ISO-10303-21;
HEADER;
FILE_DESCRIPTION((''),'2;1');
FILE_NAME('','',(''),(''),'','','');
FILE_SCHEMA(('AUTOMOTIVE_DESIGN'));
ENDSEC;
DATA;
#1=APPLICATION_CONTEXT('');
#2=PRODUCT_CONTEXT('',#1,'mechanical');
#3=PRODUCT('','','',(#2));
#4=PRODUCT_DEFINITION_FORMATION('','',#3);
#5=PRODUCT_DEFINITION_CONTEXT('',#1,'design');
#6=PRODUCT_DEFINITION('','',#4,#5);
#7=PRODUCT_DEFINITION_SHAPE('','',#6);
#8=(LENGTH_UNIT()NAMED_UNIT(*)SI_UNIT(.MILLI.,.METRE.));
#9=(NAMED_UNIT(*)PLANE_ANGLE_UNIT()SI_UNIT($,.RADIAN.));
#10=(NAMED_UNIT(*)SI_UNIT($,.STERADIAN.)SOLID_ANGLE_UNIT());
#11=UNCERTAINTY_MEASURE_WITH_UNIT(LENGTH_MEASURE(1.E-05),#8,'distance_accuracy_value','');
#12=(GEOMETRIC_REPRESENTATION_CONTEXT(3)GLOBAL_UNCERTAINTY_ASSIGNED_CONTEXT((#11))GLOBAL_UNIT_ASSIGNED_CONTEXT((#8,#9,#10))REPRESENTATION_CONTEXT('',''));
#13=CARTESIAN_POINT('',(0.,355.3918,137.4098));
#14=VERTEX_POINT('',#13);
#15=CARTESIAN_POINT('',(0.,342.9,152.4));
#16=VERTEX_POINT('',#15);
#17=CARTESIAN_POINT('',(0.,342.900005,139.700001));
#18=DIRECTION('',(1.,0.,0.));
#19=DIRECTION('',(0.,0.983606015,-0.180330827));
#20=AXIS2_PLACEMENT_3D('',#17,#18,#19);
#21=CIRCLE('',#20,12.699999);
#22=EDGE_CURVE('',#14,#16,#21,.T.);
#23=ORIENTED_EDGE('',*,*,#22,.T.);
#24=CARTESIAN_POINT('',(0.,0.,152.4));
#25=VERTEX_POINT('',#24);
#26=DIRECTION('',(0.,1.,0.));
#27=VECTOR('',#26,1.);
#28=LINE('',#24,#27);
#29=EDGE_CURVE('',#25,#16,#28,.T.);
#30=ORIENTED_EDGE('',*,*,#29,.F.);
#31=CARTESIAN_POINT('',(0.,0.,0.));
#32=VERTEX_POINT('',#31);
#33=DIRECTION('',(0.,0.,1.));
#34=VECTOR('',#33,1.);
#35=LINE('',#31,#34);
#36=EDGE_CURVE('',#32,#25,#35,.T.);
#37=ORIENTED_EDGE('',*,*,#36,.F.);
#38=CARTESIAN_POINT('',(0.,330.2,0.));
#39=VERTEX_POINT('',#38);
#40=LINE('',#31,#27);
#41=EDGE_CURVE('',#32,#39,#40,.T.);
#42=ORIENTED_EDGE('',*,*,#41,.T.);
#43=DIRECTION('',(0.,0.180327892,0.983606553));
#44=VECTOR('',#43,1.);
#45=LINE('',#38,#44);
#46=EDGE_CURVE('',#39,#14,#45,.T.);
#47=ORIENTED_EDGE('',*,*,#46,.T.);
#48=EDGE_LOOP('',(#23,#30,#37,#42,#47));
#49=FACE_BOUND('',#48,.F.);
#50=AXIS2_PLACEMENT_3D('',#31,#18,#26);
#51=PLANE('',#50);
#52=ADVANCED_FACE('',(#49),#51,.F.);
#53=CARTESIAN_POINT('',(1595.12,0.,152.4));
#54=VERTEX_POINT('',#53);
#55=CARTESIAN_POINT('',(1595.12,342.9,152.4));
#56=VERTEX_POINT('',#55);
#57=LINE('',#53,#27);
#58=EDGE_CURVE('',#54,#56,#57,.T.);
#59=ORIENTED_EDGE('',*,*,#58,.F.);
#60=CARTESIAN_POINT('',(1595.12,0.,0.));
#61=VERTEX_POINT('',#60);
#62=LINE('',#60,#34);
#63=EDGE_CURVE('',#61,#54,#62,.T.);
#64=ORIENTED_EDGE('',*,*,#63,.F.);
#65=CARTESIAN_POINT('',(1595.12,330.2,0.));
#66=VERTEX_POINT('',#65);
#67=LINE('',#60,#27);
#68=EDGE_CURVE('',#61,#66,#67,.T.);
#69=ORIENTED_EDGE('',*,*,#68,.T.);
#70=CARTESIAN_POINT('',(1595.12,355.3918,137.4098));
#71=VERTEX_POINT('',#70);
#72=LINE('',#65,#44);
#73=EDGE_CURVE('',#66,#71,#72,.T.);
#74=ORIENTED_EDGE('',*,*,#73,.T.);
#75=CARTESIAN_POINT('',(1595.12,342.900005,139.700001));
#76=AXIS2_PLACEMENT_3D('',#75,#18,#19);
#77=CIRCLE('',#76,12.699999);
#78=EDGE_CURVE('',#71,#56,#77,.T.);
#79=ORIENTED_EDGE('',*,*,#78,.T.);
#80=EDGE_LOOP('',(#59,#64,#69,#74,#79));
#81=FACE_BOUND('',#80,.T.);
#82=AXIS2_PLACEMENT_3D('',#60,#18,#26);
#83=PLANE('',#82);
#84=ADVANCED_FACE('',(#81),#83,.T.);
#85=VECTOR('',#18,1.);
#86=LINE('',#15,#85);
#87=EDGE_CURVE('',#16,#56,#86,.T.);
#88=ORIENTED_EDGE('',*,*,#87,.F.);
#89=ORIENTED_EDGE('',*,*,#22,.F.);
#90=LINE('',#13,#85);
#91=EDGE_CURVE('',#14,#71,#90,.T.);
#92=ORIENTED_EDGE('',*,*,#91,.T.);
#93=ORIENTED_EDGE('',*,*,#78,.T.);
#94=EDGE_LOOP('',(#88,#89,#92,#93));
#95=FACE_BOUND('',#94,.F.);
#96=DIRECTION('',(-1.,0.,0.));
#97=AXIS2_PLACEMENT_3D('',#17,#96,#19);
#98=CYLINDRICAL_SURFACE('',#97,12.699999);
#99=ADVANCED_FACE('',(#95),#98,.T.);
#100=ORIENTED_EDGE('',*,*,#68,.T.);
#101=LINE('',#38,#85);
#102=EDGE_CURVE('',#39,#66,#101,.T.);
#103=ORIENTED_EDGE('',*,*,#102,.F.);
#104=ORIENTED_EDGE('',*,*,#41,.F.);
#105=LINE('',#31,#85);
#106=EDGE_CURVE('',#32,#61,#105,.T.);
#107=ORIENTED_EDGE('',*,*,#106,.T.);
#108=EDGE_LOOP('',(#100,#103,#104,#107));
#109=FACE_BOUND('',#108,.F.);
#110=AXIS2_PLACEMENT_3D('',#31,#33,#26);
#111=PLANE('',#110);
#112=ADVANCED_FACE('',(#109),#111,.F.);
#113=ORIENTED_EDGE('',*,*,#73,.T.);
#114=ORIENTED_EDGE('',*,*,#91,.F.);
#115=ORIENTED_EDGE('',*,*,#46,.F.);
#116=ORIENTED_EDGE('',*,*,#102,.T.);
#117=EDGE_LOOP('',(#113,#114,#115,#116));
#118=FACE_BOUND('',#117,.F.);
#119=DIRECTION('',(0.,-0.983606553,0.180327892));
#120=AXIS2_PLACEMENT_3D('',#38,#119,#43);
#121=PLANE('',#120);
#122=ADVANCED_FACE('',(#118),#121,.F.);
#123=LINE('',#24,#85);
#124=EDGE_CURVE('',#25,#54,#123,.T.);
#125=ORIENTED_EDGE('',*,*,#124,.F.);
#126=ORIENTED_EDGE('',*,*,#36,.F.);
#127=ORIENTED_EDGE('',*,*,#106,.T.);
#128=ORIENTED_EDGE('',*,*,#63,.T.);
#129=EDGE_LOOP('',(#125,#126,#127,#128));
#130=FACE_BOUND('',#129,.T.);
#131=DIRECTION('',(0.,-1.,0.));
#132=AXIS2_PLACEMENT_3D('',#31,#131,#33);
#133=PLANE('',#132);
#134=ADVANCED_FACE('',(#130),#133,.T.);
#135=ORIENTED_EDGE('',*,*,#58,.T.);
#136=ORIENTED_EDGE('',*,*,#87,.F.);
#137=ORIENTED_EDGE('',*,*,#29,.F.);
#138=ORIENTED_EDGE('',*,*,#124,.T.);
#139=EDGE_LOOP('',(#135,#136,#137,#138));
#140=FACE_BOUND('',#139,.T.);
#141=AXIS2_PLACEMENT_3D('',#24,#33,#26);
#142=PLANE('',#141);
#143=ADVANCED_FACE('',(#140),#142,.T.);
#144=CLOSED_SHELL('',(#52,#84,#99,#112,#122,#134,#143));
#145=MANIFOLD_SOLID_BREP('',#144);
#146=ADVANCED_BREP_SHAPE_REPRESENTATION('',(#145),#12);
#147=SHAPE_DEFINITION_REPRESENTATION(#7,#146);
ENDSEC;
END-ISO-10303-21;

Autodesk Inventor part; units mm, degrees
ref_plane "YZ Plane" through (0, 0, 0) normal (1, 0, 0) x (0, 1, 0)
ref_plane "XZ Plane" through (0, 0, 0) normal (0, 1, 0) x (-1, 0, 0)
ref_plane "XY Plane" through (0, 0, 0) normal (0, 0, 1) x (1, 0, 0)
sketch "Sketch2" plane through (0, 0, 0) normal (1, 0, 0) x (0, 1, 0)
  line L0 (0, 0) -> (0, 152.4)
  line L1 (0, 152.4) -> (342.9, 152.4)
  line L2 (0, 0) -> (330.2, 0)
  line L3 (330.2, 0) -> (355.3918, 137.4098)
  arc A0 (355.3918, 137.4098) -> (342.9, 152.4) centre (342.9, 139.7) ccw
  point P0 (358.14, 152.4)
  dimension "d2" = 152.4
  dimension "d3" = 330.2
  dimension "d4" = 12.7
  dimension "d7" = 342.9
extrude "Extrusion1" add sketch "Sketch2" along normal blind 1595.12
properties part number "B" material "Granite, Cut, Polished"
